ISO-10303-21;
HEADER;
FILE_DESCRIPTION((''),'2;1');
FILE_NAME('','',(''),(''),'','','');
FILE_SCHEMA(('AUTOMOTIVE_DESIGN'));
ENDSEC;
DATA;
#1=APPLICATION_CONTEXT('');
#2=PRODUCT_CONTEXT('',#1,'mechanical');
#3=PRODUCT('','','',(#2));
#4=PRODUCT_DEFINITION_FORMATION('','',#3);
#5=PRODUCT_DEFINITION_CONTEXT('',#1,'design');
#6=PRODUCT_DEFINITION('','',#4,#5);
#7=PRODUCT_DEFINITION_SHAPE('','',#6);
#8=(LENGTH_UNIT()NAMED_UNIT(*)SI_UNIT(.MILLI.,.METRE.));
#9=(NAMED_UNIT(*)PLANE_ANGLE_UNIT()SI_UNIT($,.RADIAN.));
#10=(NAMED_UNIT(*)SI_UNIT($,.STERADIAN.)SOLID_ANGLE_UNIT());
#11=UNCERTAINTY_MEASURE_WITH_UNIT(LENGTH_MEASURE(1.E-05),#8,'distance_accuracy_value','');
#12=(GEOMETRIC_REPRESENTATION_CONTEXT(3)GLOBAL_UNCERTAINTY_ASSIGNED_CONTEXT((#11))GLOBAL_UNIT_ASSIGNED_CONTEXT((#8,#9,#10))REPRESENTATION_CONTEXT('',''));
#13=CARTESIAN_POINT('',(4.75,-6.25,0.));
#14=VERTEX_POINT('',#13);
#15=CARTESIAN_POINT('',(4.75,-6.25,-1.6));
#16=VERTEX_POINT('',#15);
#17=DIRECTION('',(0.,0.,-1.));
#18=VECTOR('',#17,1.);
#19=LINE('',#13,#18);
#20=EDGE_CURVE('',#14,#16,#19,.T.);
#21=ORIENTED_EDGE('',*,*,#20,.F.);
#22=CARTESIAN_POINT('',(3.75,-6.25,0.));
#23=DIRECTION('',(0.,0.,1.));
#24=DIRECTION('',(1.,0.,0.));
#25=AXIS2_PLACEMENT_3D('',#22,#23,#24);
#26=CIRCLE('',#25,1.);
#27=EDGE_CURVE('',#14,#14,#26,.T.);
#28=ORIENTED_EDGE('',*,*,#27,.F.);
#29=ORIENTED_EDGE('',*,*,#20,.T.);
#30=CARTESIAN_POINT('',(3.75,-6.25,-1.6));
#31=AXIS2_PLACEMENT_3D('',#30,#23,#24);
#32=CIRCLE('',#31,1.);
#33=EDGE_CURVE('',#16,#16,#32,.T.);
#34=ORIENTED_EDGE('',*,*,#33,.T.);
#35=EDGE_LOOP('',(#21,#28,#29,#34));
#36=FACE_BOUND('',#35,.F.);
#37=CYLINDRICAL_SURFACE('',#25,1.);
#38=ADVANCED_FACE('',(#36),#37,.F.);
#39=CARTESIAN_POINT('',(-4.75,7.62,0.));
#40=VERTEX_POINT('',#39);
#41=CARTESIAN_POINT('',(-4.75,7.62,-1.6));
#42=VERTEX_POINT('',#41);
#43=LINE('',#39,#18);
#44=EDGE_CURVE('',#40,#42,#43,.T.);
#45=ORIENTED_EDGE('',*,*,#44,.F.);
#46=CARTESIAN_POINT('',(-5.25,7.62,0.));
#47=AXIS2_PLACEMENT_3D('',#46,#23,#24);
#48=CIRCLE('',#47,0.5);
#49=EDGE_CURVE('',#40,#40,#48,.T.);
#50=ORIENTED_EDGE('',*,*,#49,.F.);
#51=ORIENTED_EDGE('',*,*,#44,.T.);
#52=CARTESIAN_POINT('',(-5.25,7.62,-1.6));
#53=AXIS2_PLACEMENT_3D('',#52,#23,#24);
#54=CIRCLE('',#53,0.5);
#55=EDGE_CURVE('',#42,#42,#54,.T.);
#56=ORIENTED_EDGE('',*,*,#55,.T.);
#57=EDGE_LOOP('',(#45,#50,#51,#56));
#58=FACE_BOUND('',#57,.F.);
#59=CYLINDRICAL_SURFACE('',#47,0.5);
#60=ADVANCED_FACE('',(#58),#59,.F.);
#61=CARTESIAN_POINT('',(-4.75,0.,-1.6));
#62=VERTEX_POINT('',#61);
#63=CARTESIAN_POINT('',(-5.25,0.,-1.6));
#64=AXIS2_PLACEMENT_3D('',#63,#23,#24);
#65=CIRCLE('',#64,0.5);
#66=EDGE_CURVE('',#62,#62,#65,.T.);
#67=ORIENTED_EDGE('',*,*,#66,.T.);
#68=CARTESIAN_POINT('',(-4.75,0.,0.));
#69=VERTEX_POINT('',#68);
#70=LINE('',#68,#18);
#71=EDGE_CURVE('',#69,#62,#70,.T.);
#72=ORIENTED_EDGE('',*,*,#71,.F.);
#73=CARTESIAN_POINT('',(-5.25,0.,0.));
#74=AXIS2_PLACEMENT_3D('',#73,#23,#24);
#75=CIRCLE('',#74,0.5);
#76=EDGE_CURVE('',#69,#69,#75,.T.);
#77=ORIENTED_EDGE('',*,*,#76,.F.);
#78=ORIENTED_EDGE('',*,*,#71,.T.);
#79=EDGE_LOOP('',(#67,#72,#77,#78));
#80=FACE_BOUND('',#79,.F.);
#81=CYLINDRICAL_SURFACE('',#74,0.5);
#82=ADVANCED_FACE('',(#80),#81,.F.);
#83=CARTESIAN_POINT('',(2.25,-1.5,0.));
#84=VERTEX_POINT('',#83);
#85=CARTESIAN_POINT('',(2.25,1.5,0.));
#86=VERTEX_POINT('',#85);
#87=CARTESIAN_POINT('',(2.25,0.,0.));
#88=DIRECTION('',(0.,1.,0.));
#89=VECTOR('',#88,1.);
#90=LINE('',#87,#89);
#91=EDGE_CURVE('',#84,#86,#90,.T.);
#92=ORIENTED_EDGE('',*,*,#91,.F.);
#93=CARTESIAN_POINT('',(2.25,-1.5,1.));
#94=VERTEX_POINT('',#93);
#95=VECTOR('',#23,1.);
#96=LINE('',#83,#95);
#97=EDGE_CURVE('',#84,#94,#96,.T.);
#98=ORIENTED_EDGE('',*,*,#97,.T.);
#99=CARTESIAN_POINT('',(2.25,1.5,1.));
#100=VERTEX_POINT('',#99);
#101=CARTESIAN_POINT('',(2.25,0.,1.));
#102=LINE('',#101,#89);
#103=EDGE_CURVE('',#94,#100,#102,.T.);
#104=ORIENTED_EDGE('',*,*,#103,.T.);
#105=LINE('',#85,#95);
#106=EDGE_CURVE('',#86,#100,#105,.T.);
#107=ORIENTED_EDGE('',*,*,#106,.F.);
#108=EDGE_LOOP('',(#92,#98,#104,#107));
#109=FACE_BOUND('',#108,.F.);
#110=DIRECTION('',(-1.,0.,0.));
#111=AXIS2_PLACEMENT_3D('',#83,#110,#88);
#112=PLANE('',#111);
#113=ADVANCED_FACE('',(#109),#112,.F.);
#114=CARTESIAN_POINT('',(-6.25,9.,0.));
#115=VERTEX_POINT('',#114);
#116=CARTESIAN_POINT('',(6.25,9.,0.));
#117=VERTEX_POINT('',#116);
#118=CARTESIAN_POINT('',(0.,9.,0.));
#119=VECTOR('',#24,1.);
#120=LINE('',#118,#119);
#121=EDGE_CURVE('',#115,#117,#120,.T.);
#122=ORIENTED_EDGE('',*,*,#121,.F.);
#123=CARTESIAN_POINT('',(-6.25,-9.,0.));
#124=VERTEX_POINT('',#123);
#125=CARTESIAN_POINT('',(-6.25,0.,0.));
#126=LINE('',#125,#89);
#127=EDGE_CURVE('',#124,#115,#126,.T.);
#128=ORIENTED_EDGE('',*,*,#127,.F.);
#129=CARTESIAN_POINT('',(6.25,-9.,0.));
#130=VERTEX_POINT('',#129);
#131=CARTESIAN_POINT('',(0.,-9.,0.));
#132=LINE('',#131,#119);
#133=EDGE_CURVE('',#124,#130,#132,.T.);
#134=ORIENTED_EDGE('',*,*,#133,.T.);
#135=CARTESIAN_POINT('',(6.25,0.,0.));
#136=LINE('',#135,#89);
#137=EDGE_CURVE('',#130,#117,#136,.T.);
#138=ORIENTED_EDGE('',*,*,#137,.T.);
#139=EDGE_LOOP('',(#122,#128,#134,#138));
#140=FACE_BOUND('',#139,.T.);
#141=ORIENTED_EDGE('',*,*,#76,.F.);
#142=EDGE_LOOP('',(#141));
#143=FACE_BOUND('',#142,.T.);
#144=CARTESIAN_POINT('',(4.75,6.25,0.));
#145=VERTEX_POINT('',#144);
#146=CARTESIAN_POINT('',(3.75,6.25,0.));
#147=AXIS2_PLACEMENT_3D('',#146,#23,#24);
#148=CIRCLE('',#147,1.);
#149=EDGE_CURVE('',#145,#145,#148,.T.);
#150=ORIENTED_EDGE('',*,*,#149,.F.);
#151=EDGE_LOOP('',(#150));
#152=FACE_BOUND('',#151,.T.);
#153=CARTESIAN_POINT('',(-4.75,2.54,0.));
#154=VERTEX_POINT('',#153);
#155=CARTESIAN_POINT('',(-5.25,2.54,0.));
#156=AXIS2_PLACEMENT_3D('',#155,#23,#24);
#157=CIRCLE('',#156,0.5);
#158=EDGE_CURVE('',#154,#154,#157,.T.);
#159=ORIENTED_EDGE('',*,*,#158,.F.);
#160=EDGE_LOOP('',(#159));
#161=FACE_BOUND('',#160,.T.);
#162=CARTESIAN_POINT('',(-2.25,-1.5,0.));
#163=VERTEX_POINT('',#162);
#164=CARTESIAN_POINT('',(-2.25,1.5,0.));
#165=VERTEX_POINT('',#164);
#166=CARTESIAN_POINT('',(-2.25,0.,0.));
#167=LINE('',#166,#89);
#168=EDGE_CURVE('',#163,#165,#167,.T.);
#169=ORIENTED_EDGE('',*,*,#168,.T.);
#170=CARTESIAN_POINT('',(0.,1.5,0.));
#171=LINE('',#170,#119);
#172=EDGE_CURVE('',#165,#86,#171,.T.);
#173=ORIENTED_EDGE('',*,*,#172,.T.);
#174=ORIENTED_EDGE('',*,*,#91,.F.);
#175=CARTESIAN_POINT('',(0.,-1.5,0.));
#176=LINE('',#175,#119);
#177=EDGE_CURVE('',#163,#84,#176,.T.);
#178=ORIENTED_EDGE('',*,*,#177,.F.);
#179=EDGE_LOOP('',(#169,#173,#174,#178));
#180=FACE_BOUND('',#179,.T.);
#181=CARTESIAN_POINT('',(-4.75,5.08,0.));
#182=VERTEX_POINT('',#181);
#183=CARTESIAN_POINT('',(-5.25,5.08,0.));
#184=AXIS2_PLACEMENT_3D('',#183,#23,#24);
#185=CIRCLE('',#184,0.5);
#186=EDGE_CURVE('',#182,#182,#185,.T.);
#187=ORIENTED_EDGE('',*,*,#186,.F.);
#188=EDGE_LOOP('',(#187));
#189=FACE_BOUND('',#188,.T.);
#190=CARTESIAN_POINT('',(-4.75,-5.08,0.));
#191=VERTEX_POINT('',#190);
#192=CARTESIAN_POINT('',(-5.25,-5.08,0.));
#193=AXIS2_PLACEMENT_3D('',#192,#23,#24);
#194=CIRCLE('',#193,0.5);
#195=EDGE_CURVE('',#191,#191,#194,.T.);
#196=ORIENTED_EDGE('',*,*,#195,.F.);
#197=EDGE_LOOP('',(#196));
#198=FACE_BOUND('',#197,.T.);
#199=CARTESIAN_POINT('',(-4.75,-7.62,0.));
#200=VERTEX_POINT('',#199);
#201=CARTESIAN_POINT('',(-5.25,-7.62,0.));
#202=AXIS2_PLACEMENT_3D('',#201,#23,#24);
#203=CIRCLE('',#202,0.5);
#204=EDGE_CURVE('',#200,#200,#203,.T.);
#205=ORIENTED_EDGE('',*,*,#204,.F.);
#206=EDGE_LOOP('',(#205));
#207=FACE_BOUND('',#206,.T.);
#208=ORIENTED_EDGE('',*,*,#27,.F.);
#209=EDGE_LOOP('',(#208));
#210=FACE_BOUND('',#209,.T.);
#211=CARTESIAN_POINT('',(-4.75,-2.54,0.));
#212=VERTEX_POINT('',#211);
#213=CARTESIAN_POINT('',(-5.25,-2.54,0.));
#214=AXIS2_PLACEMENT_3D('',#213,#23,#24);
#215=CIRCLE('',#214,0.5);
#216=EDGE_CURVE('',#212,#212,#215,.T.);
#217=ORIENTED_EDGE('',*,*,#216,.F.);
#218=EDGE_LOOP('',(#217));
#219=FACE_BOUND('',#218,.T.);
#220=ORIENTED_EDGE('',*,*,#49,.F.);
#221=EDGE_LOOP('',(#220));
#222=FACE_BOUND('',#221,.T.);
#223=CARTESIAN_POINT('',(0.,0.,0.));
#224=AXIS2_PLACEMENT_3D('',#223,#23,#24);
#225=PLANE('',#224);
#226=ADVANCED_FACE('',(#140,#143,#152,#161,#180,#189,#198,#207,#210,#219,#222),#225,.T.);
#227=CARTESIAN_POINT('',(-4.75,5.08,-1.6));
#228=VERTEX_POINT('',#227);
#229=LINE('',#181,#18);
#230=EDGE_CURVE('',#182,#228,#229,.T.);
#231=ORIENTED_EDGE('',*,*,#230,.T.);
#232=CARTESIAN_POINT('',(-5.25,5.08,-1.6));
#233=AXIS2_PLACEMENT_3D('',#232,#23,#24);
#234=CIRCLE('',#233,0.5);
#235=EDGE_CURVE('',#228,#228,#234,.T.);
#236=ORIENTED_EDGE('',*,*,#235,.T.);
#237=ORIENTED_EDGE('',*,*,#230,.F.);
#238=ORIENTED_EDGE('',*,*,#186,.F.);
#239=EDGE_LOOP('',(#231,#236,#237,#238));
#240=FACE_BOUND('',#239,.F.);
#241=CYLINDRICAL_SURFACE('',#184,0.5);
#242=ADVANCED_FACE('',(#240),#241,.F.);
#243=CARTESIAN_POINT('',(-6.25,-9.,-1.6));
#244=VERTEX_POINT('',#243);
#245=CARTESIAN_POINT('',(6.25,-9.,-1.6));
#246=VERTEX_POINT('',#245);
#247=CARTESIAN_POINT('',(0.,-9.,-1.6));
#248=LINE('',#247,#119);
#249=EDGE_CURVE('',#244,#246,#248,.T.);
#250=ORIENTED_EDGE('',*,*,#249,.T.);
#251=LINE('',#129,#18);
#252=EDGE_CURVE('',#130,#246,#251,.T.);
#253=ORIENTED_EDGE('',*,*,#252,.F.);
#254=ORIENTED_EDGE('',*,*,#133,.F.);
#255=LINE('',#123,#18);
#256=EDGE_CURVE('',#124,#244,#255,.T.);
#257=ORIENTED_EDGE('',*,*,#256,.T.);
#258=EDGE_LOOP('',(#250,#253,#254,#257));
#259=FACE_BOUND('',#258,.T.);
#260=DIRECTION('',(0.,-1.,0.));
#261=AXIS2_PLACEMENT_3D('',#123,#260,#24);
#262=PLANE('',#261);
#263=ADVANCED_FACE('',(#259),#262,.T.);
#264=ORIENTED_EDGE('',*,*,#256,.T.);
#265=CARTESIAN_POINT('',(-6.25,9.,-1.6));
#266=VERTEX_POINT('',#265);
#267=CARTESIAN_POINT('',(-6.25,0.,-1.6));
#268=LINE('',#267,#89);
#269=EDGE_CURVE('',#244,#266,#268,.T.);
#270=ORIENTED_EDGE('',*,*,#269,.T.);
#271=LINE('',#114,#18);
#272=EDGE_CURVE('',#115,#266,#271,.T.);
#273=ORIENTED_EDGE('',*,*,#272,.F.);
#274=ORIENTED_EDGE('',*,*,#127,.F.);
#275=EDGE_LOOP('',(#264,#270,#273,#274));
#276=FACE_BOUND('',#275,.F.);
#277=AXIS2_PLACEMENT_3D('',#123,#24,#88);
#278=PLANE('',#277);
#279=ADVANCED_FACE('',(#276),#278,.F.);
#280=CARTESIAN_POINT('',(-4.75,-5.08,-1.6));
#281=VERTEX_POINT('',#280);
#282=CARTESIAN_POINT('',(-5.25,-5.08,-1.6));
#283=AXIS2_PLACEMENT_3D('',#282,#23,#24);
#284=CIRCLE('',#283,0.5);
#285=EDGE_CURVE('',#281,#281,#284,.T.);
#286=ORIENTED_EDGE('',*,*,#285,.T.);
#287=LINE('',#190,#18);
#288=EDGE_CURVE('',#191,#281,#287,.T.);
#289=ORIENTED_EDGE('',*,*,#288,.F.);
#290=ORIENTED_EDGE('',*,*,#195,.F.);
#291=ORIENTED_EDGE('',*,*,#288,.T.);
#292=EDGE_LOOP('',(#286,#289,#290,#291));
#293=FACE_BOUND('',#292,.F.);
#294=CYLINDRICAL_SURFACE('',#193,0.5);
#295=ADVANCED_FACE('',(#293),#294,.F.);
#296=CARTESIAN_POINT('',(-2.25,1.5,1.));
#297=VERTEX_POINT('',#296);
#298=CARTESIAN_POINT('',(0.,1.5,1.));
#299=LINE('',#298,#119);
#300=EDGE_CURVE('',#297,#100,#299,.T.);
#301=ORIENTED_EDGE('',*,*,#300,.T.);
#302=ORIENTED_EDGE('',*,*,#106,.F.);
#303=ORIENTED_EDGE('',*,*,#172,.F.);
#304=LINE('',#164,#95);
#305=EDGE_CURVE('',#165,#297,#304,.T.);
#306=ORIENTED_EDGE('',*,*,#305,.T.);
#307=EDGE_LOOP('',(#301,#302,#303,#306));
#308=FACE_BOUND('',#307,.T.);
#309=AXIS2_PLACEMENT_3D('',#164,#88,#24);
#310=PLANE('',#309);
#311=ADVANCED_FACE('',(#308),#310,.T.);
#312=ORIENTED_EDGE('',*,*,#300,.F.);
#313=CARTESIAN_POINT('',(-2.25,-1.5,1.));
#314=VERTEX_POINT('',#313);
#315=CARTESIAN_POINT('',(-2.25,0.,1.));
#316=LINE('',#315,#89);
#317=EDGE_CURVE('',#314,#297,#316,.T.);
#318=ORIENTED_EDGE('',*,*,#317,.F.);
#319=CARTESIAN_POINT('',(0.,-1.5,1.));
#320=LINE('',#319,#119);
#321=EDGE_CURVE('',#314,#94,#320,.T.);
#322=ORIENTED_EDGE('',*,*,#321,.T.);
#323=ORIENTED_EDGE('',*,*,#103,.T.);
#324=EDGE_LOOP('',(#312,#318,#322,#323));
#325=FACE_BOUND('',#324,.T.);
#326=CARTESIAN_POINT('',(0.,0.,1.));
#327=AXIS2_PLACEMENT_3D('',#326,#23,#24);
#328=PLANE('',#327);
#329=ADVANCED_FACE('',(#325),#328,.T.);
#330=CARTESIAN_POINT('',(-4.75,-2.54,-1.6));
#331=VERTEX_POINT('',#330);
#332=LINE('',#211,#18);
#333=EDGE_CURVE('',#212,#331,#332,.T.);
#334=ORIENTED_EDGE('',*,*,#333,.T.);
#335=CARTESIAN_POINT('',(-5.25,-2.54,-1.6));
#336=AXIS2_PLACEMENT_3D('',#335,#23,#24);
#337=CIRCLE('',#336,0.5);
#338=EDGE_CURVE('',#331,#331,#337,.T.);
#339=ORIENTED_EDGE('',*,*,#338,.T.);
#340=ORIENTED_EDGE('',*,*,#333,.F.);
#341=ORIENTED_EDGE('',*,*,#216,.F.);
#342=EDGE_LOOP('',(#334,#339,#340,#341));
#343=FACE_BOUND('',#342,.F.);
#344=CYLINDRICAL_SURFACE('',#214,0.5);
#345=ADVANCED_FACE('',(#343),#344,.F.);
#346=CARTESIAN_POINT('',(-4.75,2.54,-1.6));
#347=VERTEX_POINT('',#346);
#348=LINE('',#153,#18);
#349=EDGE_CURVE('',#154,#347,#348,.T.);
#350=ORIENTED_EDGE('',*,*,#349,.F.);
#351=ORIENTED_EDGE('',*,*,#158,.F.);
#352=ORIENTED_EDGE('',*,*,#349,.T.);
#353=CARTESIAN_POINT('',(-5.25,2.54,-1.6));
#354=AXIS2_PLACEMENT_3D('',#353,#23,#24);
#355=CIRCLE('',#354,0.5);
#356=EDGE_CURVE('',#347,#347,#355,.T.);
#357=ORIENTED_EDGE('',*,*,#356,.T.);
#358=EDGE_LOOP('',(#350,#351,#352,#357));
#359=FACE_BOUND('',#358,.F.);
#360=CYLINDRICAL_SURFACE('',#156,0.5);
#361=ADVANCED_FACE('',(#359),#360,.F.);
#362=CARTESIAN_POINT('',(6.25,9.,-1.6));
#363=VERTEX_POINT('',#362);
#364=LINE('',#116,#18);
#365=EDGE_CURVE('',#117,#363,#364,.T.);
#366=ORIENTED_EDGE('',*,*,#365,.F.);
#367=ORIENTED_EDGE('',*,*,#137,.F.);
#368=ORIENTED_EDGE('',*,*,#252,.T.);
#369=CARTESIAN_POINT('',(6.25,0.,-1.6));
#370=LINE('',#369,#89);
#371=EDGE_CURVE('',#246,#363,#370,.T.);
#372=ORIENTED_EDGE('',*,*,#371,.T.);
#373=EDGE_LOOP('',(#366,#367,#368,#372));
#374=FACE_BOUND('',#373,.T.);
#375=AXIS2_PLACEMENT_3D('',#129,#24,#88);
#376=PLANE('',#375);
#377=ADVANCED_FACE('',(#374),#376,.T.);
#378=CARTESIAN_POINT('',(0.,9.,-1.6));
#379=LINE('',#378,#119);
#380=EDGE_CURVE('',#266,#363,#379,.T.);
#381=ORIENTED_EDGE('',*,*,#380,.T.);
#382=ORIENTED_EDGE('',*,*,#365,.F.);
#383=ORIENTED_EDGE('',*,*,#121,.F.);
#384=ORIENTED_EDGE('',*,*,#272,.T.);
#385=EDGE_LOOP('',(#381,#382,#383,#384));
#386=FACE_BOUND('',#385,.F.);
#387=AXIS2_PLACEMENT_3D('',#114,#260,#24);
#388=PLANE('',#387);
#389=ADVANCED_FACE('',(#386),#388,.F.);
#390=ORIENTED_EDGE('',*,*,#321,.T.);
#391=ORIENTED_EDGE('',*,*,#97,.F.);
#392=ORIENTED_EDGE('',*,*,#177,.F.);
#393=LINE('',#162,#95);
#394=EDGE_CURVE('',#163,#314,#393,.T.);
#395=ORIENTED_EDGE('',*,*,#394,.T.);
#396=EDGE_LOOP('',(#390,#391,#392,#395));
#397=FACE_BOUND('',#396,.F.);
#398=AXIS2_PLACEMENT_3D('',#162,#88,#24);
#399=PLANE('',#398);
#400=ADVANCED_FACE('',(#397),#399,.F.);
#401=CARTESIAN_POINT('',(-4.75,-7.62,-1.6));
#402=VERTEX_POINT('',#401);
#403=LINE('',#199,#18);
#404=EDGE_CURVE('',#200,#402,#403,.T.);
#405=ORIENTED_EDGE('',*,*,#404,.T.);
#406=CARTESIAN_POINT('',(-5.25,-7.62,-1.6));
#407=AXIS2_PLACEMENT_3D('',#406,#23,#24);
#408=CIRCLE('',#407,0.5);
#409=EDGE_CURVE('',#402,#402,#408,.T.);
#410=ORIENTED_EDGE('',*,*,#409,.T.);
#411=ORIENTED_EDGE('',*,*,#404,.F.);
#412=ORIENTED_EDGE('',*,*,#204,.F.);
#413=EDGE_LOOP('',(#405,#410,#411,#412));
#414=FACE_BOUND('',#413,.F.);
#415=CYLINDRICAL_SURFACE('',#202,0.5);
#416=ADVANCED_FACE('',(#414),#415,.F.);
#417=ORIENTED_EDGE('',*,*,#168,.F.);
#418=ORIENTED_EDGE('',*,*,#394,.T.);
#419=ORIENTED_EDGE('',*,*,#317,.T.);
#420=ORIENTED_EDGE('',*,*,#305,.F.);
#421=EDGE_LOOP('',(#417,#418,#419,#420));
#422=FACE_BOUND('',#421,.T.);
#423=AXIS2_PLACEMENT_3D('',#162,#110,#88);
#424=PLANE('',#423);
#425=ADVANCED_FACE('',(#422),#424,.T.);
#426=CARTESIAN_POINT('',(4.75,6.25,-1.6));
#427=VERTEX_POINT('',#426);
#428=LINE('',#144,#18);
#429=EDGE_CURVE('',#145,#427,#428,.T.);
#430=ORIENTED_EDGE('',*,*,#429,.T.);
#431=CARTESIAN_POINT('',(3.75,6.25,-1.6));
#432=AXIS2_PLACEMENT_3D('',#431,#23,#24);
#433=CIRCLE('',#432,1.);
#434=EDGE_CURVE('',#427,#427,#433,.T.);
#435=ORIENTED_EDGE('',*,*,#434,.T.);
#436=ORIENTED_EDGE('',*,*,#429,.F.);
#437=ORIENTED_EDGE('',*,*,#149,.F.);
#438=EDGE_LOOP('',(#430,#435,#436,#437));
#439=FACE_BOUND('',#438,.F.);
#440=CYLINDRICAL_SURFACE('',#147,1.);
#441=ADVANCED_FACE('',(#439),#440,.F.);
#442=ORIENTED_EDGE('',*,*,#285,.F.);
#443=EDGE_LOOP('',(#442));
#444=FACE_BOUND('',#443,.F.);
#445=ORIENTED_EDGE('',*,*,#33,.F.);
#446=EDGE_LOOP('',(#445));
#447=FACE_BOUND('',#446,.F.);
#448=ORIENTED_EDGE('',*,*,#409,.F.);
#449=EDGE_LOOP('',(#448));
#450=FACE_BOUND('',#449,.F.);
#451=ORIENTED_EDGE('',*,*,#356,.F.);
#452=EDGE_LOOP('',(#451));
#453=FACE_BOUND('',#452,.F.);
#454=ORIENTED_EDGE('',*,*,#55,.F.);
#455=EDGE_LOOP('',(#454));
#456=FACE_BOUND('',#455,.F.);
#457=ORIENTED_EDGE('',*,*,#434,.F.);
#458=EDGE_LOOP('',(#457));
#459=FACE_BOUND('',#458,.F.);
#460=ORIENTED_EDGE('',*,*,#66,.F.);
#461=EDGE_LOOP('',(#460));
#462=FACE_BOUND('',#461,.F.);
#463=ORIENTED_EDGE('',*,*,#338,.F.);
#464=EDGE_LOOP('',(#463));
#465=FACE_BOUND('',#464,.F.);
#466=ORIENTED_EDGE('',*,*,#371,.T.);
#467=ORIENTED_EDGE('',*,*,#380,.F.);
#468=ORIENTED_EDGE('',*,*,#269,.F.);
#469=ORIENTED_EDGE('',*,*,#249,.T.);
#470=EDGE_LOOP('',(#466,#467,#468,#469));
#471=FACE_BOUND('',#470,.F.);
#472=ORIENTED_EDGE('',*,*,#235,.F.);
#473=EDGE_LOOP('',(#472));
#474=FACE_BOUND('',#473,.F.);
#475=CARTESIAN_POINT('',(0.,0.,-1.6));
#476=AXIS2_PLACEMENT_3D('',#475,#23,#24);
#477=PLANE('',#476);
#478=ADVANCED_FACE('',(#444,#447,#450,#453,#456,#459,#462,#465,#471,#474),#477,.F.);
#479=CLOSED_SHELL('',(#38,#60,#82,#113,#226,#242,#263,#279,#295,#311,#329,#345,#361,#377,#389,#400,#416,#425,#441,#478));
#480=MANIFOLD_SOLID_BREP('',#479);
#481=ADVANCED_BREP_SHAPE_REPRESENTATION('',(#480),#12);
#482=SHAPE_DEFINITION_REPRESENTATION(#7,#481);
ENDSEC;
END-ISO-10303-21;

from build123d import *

# Parameters (mm, degrees)
F0_W     = 12.5
F0_H     = 18
F0_R     = 0.5
F0_R_2   = 1
F0_W_2   = 4.5
F0_H_2   = 3
F1_DEPTH = 1.6
F2_DEPTH = 1


with BuildPart() as f1:
    # F0 (on Top) → F1 (new body)
    with BuildSketch(Plane.XY):
        Rectangle(F0_W, F0_H)
        with Locations((-5.25, -7.62)):
            Circle(F0_R, mode=Mode.SUBTRACT)
        with Locations((-5.25, -5.08)):
            Circle(F0_R, mode=Mode.SUBTRACT)
        with Locations((-5.25, -2.54)):
            Circle(F0_R, mode=Mode.SUBTRACT)
        with Locations((3.75, -6.25)):
            Circle(F0_R_2, mode=Mode.SUBTRACT)
        with Locations((-5.25, 0)):
            Circle(F0_R, mode=Mode.SUBTRACT)
        with Locations((-5.25, 2.54)):
            Circle(F0_R, mode=Mode.SUBTRACT)
        with Locations((-5.25, 5.08)):
            Circle(F0_R, mode=Mode.SUBTRACT)
        with Locations((-5.25, 7.62)):
            Circle(F0_R, mode=Mode.SUBTRACT)
        Rectangle(F0_W_2, F0_H_2, mode=Mode.SUBTRACT)
        with Locations((3.75, 6.25)):
            Circle(F0_R_2, mode=Mode.SUBTRACT)
        Rectangle(F0_W_2, F0_H_2)
    extrude(amount=-F1_DEPTH)

    # F0 (on Top) → F2 (join)
    with BuildSketch(Plane.XY):
        Rectangle(F0_W_2, F0_H_2)
    extrude(amount=F2_DEPTH)


solid = f1.part
